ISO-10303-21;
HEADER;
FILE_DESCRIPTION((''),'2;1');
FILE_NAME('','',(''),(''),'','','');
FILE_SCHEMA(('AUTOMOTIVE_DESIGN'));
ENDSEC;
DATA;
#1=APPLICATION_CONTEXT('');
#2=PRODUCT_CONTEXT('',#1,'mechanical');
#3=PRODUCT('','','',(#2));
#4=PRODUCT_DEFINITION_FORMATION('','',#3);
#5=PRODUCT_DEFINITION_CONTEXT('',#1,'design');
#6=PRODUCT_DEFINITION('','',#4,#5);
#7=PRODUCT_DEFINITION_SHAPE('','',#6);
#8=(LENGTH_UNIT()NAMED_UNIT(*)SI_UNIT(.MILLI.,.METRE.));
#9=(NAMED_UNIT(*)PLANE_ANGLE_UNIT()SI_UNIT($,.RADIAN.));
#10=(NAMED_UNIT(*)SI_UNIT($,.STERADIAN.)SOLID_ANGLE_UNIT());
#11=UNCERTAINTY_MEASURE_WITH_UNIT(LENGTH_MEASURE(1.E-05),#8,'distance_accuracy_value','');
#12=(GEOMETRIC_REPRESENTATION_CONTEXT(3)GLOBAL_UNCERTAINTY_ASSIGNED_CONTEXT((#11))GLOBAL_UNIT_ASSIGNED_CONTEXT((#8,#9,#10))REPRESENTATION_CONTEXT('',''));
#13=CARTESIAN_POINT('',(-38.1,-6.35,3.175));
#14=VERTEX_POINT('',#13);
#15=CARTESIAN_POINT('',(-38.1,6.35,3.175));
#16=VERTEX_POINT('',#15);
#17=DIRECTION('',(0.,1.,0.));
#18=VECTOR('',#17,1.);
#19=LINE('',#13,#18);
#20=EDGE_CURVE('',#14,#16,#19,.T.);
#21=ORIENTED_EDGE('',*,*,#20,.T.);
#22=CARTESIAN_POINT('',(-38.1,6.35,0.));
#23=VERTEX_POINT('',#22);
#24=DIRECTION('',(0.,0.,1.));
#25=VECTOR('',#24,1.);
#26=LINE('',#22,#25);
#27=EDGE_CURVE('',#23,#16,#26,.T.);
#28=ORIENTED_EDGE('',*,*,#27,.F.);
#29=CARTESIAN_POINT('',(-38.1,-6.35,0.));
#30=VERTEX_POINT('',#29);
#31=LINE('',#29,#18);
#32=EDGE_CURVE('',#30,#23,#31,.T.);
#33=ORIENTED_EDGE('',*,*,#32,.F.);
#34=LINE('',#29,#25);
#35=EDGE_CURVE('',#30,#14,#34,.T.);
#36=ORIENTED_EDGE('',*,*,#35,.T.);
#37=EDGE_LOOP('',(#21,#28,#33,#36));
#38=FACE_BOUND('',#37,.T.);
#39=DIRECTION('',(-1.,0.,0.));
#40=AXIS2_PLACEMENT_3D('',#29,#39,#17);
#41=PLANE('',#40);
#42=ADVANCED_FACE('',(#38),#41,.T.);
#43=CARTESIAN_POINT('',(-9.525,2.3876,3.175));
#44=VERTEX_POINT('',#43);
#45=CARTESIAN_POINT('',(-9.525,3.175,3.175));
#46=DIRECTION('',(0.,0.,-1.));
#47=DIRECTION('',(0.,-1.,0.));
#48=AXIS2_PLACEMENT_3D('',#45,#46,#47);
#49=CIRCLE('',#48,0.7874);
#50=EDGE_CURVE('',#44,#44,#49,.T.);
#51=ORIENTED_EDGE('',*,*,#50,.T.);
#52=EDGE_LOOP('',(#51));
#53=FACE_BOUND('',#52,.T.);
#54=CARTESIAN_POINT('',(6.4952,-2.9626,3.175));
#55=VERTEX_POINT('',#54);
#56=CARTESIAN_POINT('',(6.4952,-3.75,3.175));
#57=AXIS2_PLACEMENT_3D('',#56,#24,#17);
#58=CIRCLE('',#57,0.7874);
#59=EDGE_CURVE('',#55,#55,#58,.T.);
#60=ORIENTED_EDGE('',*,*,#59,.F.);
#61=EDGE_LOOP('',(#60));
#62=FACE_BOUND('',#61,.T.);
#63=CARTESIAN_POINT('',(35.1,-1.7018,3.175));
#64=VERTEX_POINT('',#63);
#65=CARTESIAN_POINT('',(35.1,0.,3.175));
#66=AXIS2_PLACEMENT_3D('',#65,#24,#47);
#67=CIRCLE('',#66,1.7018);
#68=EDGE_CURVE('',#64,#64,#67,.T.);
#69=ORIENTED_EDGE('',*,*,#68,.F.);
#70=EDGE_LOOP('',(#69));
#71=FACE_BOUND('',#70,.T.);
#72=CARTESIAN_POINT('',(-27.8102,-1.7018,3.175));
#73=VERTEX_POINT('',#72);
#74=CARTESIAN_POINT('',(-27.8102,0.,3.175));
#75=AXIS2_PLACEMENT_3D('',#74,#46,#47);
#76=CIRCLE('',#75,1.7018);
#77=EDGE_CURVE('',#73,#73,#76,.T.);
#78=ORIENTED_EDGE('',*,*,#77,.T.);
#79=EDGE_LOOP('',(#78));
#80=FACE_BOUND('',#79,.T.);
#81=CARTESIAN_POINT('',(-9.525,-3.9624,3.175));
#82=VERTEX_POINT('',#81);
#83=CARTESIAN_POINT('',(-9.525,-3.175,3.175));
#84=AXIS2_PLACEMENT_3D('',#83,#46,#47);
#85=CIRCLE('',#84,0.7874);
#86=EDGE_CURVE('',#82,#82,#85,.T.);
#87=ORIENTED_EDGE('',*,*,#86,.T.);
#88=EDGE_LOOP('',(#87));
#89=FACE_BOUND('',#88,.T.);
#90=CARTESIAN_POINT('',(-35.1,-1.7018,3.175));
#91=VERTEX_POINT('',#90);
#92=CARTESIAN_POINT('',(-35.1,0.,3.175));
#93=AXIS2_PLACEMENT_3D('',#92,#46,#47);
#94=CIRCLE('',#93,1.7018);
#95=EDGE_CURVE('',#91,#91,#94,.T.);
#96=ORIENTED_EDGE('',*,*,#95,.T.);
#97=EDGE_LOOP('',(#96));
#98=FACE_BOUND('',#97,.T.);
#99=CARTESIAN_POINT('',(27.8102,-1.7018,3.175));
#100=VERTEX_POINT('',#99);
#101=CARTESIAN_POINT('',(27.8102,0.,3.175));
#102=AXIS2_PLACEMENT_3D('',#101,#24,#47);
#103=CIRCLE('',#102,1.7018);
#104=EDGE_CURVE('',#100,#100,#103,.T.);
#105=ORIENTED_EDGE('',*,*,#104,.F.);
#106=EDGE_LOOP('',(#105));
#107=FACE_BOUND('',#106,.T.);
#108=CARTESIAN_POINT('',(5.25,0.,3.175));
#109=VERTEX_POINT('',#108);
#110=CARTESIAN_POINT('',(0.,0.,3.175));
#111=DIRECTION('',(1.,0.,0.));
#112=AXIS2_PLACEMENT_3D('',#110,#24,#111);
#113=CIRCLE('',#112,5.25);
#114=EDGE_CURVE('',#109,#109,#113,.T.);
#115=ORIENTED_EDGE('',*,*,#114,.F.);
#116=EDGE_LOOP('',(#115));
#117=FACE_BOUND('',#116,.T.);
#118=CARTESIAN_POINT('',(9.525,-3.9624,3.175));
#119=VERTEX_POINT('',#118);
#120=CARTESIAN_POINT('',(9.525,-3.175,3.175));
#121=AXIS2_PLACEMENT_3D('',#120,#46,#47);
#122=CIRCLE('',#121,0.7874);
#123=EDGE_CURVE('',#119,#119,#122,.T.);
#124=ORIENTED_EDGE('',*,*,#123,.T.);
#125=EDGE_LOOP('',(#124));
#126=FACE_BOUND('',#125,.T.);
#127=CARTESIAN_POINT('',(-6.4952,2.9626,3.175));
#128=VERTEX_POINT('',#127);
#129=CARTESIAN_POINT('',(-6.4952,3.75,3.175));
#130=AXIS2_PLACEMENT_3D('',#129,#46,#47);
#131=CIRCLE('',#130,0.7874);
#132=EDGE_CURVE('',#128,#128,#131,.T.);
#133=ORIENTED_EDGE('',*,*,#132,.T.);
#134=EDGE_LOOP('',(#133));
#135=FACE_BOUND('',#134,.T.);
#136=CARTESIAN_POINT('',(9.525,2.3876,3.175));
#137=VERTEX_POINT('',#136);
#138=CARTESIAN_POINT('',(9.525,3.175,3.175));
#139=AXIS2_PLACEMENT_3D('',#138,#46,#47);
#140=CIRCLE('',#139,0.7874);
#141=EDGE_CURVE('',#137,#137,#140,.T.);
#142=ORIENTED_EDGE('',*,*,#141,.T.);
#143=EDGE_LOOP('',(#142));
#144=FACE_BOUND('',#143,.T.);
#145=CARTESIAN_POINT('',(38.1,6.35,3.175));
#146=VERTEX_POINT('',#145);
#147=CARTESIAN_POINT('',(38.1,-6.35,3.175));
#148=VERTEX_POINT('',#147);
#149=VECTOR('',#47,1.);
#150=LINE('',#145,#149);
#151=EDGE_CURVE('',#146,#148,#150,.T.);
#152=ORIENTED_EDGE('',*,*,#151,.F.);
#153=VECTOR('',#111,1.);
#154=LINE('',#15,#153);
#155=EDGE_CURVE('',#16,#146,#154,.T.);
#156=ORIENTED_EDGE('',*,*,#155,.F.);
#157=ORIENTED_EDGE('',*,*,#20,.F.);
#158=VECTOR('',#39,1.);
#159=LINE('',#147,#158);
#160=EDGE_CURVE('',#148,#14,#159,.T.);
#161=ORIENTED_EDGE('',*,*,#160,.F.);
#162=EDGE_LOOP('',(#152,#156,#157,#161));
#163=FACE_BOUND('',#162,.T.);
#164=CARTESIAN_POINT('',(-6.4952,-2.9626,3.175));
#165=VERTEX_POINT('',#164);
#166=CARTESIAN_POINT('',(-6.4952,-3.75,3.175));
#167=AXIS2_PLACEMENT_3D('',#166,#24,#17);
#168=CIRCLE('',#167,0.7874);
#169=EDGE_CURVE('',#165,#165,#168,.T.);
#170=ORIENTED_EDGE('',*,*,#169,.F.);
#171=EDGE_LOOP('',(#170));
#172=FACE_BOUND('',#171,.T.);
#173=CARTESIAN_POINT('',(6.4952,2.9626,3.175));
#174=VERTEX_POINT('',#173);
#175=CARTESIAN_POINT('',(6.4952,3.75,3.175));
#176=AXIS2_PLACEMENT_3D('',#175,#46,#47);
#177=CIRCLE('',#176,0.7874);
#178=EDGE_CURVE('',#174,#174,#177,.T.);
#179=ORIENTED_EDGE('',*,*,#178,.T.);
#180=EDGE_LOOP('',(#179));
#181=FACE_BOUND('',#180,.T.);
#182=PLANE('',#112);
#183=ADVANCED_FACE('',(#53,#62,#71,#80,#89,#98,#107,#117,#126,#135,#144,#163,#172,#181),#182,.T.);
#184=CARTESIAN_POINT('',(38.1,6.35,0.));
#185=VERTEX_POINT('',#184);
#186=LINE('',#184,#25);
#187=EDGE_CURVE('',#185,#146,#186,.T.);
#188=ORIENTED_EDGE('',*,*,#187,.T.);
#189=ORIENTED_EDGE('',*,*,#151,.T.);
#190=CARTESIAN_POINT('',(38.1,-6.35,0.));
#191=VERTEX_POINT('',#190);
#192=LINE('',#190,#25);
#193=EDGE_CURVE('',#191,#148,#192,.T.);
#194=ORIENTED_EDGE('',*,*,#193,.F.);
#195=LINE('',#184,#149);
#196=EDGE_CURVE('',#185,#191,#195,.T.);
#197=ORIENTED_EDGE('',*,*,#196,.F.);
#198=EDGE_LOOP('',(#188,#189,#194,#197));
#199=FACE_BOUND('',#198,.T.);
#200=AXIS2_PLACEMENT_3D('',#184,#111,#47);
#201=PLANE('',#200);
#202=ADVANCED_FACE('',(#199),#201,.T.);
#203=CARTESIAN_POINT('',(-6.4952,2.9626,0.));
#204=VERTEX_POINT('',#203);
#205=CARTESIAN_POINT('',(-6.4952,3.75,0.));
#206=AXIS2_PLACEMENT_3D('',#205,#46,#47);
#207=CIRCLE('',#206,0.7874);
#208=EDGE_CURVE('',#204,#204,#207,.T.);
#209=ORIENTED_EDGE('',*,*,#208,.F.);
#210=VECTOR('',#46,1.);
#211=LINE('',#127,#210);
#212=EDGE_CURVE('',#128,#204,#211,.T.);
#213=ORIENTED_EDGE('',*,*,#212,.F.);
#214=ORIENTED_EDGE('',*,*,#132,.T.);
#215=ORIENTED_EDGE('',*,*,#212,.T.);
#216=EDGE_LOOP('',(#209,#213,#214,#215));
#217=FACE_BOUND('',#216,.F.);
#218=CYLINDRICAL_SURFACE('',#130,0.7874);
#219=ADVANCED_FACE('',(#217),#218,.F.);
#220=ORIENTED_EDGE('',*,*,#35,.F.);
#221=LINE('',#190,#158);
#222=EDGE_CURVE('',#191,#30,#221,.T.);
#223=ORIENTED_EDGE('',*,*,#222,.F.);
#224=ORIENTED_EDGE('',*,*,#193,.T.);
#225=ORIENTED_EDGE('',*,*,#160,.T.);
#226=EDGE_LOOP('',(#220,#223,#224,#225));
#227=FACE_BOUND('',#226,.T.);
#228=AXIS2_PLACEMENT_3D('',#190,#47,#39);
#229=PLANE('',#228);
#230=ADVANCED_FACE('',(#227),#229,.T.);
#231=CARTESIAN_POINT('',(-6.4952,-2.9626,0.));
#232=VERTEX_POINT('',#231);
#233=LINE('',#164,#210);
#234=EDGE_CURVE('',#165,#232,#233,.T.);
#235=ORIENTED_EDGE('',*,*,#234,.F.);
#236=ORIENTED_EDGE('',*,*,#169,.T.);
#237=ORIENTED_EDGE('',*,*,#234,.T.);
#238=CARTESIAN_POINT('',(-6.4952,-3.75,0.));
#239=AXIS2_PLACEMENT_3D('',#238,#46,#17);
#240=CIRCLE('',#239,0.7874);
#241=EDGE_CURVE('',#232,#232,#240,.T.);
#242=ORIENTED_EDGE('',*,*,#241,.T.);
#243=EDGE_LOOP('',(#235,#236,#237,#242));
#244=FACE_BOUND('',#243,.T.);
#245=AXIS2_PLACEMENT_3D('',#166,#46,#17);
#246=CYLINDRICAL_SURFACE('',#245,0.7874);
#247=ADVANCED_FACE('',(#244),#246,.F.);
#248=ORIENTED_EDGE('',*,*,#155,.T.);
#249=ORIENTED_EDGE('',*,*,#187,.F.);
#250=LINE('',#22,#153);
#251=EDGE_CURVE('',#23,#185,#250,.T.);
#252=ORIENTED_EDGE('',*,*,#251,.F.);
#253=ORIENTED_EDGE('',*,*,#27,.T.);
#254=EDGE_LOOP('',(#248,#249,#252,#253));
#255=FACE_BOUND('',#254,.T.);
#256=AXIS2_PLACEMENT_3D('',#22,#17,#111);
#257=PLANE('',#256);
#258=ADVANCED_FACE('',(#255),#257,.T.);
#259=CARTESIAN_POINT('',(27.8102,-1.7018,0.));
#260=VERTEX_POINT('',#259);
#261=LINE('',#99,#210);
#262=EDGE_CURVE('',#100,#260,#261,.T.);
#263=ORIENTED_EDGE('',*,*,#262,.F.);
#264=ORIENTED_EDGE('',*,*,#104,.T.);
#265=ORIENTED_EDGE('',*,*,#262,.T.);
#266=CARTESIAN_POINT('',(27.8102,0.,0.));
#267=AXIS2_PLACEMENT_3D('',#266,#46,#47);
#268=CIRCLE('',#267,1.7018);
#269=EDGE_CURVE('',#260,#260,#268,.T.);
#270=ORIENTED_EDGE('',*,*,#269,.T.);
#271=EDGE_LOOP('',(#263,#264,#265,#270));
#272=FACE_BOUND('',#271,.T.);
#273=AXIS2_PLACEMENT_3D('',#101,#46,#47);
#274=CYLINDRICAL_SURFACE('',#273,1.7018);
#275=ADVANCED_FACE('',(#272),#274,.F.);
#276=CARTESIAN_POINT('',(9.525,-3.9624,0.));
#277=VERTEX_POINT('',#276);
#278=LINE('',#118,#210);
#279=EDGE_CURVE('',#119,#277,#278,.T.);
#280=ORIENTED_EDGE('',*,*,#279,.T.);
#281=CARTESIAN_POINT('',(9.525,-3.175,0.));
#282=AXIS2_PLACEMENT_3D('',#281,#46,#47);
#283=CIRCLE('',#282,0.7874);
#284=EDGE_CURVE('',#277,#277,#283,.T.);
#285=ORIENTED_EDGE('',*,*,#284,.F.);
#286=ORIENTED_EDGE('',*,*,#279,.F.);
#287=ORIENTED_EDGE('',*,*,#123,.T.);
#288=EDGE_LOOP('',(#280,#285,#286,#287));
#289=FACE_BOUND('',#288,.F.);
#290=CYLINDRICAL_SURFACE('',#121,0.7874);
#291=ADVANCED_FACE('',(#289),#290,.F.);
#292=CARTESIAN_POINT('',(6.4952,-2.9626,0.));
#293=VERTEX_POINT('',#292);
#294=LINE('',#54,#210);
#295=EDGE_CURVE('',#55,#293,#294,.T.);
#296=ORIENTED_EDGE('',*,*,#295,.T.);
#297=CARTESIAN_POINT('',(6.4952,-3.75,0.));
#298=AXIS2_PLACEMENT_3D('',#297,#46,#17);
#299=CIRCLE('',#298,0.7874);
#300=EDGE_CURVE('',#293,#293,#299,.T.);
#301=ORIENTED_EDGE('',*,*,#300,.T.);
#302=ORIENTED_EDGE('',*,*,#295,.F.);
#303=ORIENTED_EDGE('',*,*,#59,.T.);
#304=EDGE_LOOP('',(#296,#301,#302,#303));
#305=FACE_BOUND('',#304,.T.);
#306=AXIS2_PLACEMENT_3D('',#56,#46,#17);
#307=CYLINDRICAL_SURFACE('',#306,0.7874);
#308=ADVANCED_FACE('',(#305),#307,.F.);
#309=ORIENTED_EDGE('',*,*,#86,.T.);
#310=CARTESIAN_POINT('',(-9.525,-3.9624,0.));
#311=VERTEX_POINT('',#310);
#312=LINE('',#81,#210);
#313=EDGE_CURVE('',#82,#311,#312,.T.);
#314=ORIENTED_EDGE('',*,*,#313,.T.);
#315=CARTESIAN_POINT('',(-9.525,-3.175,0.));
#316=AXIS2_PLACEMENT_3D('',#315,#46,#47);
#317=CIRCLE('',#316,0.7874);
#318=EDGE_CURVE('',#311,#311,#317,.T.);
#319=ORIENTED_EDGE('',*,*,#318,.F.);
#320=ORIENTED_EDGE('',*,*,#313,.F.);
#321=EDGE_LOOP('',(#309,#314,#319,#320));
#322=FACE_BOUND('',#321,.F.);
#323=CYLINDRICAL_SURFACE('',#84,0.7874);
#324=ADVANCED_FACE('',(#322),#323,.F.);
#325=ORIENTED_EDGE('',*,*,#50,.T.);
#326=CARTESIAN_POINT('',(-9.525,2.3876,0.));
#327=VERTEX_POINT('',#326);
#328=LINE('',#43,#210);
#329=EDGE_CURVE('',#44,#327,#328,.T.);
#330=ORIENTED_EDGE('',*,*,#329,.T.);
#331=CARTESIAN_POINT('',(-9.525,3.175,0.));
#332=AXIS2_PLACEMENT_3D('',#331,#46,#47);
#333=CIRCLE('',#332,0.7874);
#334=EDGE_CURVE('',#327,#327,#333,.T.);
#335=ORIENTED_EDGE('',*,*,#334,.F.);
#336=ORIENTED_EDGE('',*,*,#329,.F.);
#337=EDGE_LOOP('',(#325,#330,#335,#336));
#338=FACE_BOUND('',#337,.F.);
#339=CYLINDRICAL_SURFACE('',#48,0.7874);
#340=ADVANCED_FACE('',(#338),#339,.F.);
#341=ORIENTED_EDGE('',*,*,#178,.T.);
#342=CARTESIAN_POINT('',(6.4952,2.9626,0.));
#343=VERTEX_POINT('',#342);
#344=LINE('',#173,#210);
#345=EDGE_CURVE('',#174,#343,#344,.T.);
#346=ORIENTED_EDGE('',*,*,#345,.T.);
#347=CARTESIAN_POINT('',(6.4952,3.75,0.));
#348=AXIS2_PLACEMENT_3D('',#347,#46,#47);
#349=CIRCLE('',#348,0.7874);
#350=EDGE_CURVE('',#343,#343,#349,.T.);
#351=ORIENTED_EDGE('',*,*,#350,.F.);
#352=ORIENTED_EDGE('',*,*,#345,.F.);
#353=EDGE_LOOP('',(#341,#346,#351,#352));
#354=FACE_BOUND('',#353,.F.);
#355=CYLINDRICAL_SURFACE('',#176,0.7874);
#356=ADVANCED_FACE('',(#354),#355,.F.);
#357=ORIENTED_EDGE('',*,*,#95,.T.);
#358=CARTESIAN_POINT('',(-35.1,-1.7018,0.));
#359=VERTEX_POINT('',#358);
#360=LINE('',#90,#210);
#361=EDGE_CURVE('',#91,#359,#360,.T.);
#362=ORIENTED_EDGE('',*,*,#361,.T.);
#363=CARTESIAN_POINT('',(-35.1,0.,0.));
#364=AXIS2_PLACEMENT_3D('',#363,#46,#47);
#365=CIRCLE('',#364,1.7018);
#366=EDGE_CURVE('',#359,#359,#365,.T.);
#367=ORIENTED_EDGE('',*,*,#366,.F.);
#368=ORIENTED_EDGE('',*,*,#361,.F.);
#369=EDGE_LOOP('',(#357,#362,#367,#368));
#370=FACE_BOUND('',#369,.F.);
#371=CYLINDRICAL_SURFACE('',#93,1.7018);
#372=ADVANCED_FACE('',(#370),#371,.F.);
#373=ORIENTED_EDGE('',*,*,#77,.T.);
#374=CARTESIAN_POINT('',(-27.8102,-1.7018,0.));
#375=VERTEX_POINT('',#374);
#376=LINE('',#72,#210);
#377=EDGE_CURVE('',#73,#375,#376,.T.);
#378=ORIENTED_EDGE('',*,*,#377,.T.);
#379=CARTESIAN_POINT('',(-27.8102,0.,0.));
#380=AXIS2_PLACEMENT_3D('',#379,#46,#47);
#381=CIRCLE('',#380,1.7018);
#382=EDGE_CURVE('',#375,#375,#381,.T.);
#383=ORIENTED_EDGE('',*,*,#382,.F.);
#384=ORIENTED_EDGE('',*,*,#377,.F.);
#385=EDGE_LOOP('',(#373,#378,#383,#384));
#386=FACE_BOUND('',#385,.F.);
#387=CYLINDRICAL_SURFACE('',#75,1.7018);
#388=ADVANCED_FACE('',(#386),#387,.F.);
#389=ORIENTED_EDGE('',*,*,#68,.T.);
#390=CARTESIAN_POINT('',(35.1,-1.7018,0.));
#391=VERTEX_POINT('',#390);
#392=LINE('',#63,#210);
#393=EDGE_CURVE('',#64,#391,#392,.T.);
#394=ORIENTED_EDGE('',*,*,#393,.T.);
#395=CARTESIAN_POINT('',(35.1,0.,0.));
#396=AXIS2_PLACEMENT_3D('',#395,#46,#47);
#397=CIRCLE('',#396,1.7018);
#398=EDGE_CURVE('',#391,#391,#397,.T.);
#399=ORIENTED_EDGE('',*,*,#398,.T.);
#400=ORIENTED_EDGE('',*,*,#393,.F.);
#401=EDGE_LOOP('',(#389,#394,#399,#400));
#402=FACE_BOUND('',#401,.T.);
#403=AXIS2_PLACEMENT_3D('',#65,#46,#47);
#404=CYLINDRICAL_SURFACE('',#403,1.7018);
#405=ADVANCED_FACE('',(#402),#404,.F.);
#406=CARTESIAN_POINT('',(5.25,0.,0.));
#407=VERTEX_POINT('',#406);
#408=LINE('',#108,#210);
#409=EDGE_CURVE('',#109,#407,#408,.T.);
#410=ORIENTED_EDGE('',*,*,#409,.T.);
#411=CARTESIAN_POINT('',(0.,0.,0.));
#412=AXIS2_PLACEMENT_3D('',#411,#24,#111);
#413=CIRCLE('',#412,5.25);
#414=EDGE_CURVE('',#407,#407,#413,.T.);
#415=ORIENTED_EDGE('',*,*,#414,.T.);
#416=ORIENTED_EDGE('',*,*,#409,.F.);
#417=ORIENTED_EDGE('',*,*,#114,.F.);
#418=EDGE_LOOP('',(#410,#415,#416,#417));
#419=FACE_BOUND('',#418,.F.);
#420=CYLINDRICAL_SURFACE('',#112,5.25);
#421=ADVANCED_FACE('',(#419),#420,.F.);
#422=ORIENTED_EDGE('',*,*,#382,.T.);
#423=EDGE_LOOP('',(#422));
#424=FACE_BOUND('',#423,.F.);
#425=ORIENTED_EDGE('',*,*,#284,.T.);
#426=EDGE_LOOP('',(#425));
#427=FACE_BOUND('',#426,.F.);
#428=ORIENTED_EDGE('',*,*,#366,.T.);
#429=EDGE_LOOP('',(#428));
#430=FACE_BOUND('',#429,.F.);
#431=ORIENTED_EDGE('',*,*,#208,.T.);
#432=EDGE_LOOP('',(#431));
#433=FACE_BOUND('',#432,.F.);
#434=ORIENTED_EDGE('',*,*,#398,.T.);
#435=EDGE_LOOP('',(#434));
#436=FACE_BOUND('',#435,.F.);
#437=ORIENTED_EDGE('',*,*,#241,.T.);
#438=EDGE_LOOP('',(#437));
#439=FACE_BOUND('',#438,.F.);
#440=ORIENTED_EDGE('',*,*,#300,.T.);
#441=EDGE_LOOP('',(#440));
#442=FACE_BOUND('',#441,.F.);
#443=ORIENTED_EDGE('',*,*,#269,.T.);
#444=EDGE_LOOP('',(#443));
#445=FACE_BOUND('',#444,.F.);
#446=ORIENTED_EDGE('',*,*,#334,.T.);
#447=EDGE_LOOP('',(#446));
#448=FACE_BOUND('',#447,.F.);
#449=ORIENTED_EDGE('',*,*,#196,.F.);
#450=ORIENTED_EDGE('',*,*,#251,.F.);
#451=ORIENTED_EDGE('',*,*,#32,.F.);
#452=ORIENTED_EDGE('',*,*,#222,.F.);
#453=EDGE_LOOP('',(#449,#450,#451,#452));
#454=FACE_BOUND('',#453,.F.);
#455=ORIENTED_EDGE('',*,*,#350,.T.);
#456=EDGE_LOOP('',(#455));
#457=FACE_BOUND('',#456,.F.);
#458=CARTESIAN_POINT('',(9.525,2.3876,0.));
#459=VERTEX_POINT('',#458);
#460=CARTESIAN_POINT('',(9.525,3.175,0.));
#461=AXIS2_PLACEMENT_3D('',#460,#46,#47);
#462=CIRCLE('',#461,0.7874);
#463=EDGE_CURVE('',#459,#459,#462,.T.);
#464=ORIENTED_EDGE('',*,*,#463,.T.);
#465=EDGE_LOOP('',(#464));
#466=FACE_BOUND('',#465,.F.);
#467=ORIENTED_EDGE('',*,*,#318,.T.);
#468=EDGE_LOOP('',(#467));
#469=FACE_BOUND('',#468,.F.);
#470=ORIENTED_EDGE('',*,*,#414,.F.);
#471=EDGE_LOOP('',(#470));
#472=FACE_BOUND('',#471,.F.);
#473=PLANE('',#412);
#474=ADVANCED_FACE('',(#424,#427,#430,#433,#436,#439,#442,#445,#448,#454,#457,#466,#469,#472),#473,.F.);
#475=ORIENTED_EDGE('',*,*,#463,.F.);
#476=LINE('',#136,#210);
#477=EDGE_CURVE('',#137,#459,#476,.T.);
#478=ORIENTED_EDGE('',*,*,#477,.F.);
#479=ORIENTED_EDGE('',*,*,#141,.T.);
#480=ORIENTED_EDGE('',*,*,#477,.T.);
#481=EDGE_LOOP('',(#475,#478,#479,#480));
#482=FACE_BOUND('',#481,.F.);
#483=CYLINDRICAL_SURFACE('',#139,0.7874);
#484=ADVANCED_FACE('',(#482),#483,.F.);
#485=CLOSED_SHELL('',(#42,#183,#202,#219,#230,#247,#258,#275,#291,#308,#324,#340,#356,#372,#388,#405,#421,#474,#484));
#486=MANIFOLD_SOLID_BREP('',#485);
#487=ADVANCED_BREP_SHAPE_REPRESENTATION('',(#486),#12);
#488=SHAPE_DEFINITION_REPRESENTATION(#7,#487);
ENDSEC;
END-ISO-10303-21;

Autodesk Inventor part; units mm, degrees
ref_plane "YZ Plane" through (0, 0, 0) normal (1, 0, 0) x (0, 1, 0)
sketch "Sketch1" plane through (0, 0, 0) normal (0, 0, 1) x (1, 0, 0)
  circle A0 centre (0, 0) radius 6.477 construction
  circle A1 centre (0, 0) radius 4.75 construction
  circle A2 centre (0, 0) radius 9.525 construction
  line L0 (-38.1, -6.35) -> (38.1, -6.35) construction
  line L1 (38.1, -6.35) -> (38.1, 6.35) construction
  line L2 (38.1, 6.35) -> (-38.1, 6.35) construction
  line L3 (-38.1, 6.35) -> (-38.1, -6.35) construction
  line L4 (-38.1, 6.35) -> (38.1, 6.35)
  line L5 (38.1, 6.35) -> (38.1, -6.35)
  line L6 (38.1, -6.35) -> (-38.1, -6.35)
  line L7 (-38.1, -6.35) -> (-38.1, 6.35)
  dimension "d0" = 12.954
  dimension "d1" = 9.5
  dimension "d2" = 19.05
  dimension "d3" = 76.2
  dimension "d4" = 12.7
extrude "Extrusion1" add sketch "Sketch1" along normal blind 3.175
sketch "Sketch2" plane through (0, 0, 3.175) normal (0, 0, 1) x (1, 0, 0)
  circle A0 centre (0, 0) radius 5.25
  dimension "d7" = 10.5
extrude "Extrusion2" cut sketch "Sketch2" against normal through all
sketch "Sketch4" plane through (0, 0, 3.175) normal (0, 0, 1) x (1, 0, 0)
  circle A0 centre (0, 0) radius 5.25 projected
  circle A1 centre (0, 0) radius 7.5 construction
  arc A2 (6.4952, 3.75) -> (-6.4952, 3.75) centre (0, 0) ccw construction
  line L0 (0, 0) -> (6.4952, 3.75) construction
  line L1 (0, 0) -> (7.5, 0) construction
  line L2 (0, 0) -> (-6.4952, 3.75) construction
  point P0 (6.4952, 3.75)
  dimension "d13" = 15
  dimension "d14" = 30
  dimension "d15" = 120
hole "Hole1" at (-6.4952, 3.75, 3.175) at (6.4952, 3.75, 3.175) direction (0, 0, -1) diameter 1.5748 end through all
sketch "Sketch5" plane through (0, 0, 3.175) normal (0, 0, 1) x (1, 0, 0)
  circle A0 centre (6.4952, 3.75) radius 0.7874 projected
  circle A1 centre (-6.4952, 3.75) radius 0.7874 projected
  circle A2 centre (0, 0) radius 5.25 projected
  line L0 (38.1, -6.35) -> (-38.1, -6.35) projected
  line L1 (38.1, 6.35) -> (38.1, -6.35) projected
  line L2 (-38.1, 6.35) -> (38.1, 6.35) projected
  line L3 (-38.1, -6.35) -> (-38.1, 6.35) projected
  line L4 (-30.9265, 0) -> (29.6642, 0) construction
ref_plane "Work Plane1" through (-30.9265, 0, 3.175) normal (0, -1, 0) x (1, 0, 0)
mirror "Mirror1" about plane through (-30.9265, 0, 3.175) normal (0, -1, 0) of "Hole1"
sketch "Sketch6" plane through (0, 0, 3.175) normal (0, 0, 1) x (1, 0, 0)
  line L0 (-35.1, 0) -> (-27.8102, 0)
  line L1 (-27.8102, 0) -> (-27.8102, 2.0321)
  line L2 (-27.8102, 2.0321) -> (-35.1, 2.0321)
  line L3 (-35.1, 2.0321) -> (-35.1, 0)
  line L4 (-38.1, -6.35) -> (-38.1, 6.35) projected
  dimension "d39" = 7.2898
  dimension "d40" = 3
hole "Hole2" at (-35.1, 0, 3.175) at (-27.8102, 0, 3.175) direction (0, 0, -1) diameter 3.4036 end through all clearance for "Flat Head Machine Screw" size "M3" standard "Ansi Metric M Profile"
sketch "Sketch7" plane through (0, 0, 3.175) normal (0, 0, 1) x (1, 0, 0)
  circle A0 centre (-27.8102, 0) radius 1.7018 projected
  circle A1 centre (-35.1, 0) radius 1.7018 projected
  circle A2 centre (6.4952, -3.75) radius 0.7874 projected
  circle A3 centre (-6.4952, -3.75) radius 0.7874 projected
  circle A4 centre (6.4952, 3.75) radius 0.7874 projected
  circle A5 centre (-6.4952, 3.75) radius 0.7874 projected
  circle A6 centre (0, 0) radius 5.25 projected
  line L0 (38.1, -6.35) -> (-38.1, -6.35) projected
  line L1 (38.1, 6.35) -> (38.1, -6.35) projected
  line L2 (-38.1, 6.35) -> (38.1, 6.35) projected
  line L3 (-38.1, -6.35) -> (-38.1, 6.35) projected
  line L4 (0, 12.6269) -> (0, -12.6269) construction
ref_plane "Work Plane2" through (0, 12.6269, 3.175) normal (-1, 0, 0) x (0, -1, 0)
mirror "Mirror2" about plane through (0, 12.6269, 3.175) normal (-1, 0, 0) of "Hole2"
sketch "Sketch8" plane through (0, 0, 3.175) normal (0, 0, 1) x (1, 0, 0)
  point P0 (-9.525, -3.175)
  point P1 (-9.525, 3.175)
  point P2 (9.525, 3.175)
  point P3 (9.525, -3.175)
hole "Hole3" at (-9.525, 3.175, 3.175) at (-9.525, -3.175, 3.175) at (9.525, -3.175, 3.175) at (9.525, 3.175, 3.175) direction (0, 0, -1) diameter 1.5748 end through all
properties part number "simple_chuck_force_bridge"
